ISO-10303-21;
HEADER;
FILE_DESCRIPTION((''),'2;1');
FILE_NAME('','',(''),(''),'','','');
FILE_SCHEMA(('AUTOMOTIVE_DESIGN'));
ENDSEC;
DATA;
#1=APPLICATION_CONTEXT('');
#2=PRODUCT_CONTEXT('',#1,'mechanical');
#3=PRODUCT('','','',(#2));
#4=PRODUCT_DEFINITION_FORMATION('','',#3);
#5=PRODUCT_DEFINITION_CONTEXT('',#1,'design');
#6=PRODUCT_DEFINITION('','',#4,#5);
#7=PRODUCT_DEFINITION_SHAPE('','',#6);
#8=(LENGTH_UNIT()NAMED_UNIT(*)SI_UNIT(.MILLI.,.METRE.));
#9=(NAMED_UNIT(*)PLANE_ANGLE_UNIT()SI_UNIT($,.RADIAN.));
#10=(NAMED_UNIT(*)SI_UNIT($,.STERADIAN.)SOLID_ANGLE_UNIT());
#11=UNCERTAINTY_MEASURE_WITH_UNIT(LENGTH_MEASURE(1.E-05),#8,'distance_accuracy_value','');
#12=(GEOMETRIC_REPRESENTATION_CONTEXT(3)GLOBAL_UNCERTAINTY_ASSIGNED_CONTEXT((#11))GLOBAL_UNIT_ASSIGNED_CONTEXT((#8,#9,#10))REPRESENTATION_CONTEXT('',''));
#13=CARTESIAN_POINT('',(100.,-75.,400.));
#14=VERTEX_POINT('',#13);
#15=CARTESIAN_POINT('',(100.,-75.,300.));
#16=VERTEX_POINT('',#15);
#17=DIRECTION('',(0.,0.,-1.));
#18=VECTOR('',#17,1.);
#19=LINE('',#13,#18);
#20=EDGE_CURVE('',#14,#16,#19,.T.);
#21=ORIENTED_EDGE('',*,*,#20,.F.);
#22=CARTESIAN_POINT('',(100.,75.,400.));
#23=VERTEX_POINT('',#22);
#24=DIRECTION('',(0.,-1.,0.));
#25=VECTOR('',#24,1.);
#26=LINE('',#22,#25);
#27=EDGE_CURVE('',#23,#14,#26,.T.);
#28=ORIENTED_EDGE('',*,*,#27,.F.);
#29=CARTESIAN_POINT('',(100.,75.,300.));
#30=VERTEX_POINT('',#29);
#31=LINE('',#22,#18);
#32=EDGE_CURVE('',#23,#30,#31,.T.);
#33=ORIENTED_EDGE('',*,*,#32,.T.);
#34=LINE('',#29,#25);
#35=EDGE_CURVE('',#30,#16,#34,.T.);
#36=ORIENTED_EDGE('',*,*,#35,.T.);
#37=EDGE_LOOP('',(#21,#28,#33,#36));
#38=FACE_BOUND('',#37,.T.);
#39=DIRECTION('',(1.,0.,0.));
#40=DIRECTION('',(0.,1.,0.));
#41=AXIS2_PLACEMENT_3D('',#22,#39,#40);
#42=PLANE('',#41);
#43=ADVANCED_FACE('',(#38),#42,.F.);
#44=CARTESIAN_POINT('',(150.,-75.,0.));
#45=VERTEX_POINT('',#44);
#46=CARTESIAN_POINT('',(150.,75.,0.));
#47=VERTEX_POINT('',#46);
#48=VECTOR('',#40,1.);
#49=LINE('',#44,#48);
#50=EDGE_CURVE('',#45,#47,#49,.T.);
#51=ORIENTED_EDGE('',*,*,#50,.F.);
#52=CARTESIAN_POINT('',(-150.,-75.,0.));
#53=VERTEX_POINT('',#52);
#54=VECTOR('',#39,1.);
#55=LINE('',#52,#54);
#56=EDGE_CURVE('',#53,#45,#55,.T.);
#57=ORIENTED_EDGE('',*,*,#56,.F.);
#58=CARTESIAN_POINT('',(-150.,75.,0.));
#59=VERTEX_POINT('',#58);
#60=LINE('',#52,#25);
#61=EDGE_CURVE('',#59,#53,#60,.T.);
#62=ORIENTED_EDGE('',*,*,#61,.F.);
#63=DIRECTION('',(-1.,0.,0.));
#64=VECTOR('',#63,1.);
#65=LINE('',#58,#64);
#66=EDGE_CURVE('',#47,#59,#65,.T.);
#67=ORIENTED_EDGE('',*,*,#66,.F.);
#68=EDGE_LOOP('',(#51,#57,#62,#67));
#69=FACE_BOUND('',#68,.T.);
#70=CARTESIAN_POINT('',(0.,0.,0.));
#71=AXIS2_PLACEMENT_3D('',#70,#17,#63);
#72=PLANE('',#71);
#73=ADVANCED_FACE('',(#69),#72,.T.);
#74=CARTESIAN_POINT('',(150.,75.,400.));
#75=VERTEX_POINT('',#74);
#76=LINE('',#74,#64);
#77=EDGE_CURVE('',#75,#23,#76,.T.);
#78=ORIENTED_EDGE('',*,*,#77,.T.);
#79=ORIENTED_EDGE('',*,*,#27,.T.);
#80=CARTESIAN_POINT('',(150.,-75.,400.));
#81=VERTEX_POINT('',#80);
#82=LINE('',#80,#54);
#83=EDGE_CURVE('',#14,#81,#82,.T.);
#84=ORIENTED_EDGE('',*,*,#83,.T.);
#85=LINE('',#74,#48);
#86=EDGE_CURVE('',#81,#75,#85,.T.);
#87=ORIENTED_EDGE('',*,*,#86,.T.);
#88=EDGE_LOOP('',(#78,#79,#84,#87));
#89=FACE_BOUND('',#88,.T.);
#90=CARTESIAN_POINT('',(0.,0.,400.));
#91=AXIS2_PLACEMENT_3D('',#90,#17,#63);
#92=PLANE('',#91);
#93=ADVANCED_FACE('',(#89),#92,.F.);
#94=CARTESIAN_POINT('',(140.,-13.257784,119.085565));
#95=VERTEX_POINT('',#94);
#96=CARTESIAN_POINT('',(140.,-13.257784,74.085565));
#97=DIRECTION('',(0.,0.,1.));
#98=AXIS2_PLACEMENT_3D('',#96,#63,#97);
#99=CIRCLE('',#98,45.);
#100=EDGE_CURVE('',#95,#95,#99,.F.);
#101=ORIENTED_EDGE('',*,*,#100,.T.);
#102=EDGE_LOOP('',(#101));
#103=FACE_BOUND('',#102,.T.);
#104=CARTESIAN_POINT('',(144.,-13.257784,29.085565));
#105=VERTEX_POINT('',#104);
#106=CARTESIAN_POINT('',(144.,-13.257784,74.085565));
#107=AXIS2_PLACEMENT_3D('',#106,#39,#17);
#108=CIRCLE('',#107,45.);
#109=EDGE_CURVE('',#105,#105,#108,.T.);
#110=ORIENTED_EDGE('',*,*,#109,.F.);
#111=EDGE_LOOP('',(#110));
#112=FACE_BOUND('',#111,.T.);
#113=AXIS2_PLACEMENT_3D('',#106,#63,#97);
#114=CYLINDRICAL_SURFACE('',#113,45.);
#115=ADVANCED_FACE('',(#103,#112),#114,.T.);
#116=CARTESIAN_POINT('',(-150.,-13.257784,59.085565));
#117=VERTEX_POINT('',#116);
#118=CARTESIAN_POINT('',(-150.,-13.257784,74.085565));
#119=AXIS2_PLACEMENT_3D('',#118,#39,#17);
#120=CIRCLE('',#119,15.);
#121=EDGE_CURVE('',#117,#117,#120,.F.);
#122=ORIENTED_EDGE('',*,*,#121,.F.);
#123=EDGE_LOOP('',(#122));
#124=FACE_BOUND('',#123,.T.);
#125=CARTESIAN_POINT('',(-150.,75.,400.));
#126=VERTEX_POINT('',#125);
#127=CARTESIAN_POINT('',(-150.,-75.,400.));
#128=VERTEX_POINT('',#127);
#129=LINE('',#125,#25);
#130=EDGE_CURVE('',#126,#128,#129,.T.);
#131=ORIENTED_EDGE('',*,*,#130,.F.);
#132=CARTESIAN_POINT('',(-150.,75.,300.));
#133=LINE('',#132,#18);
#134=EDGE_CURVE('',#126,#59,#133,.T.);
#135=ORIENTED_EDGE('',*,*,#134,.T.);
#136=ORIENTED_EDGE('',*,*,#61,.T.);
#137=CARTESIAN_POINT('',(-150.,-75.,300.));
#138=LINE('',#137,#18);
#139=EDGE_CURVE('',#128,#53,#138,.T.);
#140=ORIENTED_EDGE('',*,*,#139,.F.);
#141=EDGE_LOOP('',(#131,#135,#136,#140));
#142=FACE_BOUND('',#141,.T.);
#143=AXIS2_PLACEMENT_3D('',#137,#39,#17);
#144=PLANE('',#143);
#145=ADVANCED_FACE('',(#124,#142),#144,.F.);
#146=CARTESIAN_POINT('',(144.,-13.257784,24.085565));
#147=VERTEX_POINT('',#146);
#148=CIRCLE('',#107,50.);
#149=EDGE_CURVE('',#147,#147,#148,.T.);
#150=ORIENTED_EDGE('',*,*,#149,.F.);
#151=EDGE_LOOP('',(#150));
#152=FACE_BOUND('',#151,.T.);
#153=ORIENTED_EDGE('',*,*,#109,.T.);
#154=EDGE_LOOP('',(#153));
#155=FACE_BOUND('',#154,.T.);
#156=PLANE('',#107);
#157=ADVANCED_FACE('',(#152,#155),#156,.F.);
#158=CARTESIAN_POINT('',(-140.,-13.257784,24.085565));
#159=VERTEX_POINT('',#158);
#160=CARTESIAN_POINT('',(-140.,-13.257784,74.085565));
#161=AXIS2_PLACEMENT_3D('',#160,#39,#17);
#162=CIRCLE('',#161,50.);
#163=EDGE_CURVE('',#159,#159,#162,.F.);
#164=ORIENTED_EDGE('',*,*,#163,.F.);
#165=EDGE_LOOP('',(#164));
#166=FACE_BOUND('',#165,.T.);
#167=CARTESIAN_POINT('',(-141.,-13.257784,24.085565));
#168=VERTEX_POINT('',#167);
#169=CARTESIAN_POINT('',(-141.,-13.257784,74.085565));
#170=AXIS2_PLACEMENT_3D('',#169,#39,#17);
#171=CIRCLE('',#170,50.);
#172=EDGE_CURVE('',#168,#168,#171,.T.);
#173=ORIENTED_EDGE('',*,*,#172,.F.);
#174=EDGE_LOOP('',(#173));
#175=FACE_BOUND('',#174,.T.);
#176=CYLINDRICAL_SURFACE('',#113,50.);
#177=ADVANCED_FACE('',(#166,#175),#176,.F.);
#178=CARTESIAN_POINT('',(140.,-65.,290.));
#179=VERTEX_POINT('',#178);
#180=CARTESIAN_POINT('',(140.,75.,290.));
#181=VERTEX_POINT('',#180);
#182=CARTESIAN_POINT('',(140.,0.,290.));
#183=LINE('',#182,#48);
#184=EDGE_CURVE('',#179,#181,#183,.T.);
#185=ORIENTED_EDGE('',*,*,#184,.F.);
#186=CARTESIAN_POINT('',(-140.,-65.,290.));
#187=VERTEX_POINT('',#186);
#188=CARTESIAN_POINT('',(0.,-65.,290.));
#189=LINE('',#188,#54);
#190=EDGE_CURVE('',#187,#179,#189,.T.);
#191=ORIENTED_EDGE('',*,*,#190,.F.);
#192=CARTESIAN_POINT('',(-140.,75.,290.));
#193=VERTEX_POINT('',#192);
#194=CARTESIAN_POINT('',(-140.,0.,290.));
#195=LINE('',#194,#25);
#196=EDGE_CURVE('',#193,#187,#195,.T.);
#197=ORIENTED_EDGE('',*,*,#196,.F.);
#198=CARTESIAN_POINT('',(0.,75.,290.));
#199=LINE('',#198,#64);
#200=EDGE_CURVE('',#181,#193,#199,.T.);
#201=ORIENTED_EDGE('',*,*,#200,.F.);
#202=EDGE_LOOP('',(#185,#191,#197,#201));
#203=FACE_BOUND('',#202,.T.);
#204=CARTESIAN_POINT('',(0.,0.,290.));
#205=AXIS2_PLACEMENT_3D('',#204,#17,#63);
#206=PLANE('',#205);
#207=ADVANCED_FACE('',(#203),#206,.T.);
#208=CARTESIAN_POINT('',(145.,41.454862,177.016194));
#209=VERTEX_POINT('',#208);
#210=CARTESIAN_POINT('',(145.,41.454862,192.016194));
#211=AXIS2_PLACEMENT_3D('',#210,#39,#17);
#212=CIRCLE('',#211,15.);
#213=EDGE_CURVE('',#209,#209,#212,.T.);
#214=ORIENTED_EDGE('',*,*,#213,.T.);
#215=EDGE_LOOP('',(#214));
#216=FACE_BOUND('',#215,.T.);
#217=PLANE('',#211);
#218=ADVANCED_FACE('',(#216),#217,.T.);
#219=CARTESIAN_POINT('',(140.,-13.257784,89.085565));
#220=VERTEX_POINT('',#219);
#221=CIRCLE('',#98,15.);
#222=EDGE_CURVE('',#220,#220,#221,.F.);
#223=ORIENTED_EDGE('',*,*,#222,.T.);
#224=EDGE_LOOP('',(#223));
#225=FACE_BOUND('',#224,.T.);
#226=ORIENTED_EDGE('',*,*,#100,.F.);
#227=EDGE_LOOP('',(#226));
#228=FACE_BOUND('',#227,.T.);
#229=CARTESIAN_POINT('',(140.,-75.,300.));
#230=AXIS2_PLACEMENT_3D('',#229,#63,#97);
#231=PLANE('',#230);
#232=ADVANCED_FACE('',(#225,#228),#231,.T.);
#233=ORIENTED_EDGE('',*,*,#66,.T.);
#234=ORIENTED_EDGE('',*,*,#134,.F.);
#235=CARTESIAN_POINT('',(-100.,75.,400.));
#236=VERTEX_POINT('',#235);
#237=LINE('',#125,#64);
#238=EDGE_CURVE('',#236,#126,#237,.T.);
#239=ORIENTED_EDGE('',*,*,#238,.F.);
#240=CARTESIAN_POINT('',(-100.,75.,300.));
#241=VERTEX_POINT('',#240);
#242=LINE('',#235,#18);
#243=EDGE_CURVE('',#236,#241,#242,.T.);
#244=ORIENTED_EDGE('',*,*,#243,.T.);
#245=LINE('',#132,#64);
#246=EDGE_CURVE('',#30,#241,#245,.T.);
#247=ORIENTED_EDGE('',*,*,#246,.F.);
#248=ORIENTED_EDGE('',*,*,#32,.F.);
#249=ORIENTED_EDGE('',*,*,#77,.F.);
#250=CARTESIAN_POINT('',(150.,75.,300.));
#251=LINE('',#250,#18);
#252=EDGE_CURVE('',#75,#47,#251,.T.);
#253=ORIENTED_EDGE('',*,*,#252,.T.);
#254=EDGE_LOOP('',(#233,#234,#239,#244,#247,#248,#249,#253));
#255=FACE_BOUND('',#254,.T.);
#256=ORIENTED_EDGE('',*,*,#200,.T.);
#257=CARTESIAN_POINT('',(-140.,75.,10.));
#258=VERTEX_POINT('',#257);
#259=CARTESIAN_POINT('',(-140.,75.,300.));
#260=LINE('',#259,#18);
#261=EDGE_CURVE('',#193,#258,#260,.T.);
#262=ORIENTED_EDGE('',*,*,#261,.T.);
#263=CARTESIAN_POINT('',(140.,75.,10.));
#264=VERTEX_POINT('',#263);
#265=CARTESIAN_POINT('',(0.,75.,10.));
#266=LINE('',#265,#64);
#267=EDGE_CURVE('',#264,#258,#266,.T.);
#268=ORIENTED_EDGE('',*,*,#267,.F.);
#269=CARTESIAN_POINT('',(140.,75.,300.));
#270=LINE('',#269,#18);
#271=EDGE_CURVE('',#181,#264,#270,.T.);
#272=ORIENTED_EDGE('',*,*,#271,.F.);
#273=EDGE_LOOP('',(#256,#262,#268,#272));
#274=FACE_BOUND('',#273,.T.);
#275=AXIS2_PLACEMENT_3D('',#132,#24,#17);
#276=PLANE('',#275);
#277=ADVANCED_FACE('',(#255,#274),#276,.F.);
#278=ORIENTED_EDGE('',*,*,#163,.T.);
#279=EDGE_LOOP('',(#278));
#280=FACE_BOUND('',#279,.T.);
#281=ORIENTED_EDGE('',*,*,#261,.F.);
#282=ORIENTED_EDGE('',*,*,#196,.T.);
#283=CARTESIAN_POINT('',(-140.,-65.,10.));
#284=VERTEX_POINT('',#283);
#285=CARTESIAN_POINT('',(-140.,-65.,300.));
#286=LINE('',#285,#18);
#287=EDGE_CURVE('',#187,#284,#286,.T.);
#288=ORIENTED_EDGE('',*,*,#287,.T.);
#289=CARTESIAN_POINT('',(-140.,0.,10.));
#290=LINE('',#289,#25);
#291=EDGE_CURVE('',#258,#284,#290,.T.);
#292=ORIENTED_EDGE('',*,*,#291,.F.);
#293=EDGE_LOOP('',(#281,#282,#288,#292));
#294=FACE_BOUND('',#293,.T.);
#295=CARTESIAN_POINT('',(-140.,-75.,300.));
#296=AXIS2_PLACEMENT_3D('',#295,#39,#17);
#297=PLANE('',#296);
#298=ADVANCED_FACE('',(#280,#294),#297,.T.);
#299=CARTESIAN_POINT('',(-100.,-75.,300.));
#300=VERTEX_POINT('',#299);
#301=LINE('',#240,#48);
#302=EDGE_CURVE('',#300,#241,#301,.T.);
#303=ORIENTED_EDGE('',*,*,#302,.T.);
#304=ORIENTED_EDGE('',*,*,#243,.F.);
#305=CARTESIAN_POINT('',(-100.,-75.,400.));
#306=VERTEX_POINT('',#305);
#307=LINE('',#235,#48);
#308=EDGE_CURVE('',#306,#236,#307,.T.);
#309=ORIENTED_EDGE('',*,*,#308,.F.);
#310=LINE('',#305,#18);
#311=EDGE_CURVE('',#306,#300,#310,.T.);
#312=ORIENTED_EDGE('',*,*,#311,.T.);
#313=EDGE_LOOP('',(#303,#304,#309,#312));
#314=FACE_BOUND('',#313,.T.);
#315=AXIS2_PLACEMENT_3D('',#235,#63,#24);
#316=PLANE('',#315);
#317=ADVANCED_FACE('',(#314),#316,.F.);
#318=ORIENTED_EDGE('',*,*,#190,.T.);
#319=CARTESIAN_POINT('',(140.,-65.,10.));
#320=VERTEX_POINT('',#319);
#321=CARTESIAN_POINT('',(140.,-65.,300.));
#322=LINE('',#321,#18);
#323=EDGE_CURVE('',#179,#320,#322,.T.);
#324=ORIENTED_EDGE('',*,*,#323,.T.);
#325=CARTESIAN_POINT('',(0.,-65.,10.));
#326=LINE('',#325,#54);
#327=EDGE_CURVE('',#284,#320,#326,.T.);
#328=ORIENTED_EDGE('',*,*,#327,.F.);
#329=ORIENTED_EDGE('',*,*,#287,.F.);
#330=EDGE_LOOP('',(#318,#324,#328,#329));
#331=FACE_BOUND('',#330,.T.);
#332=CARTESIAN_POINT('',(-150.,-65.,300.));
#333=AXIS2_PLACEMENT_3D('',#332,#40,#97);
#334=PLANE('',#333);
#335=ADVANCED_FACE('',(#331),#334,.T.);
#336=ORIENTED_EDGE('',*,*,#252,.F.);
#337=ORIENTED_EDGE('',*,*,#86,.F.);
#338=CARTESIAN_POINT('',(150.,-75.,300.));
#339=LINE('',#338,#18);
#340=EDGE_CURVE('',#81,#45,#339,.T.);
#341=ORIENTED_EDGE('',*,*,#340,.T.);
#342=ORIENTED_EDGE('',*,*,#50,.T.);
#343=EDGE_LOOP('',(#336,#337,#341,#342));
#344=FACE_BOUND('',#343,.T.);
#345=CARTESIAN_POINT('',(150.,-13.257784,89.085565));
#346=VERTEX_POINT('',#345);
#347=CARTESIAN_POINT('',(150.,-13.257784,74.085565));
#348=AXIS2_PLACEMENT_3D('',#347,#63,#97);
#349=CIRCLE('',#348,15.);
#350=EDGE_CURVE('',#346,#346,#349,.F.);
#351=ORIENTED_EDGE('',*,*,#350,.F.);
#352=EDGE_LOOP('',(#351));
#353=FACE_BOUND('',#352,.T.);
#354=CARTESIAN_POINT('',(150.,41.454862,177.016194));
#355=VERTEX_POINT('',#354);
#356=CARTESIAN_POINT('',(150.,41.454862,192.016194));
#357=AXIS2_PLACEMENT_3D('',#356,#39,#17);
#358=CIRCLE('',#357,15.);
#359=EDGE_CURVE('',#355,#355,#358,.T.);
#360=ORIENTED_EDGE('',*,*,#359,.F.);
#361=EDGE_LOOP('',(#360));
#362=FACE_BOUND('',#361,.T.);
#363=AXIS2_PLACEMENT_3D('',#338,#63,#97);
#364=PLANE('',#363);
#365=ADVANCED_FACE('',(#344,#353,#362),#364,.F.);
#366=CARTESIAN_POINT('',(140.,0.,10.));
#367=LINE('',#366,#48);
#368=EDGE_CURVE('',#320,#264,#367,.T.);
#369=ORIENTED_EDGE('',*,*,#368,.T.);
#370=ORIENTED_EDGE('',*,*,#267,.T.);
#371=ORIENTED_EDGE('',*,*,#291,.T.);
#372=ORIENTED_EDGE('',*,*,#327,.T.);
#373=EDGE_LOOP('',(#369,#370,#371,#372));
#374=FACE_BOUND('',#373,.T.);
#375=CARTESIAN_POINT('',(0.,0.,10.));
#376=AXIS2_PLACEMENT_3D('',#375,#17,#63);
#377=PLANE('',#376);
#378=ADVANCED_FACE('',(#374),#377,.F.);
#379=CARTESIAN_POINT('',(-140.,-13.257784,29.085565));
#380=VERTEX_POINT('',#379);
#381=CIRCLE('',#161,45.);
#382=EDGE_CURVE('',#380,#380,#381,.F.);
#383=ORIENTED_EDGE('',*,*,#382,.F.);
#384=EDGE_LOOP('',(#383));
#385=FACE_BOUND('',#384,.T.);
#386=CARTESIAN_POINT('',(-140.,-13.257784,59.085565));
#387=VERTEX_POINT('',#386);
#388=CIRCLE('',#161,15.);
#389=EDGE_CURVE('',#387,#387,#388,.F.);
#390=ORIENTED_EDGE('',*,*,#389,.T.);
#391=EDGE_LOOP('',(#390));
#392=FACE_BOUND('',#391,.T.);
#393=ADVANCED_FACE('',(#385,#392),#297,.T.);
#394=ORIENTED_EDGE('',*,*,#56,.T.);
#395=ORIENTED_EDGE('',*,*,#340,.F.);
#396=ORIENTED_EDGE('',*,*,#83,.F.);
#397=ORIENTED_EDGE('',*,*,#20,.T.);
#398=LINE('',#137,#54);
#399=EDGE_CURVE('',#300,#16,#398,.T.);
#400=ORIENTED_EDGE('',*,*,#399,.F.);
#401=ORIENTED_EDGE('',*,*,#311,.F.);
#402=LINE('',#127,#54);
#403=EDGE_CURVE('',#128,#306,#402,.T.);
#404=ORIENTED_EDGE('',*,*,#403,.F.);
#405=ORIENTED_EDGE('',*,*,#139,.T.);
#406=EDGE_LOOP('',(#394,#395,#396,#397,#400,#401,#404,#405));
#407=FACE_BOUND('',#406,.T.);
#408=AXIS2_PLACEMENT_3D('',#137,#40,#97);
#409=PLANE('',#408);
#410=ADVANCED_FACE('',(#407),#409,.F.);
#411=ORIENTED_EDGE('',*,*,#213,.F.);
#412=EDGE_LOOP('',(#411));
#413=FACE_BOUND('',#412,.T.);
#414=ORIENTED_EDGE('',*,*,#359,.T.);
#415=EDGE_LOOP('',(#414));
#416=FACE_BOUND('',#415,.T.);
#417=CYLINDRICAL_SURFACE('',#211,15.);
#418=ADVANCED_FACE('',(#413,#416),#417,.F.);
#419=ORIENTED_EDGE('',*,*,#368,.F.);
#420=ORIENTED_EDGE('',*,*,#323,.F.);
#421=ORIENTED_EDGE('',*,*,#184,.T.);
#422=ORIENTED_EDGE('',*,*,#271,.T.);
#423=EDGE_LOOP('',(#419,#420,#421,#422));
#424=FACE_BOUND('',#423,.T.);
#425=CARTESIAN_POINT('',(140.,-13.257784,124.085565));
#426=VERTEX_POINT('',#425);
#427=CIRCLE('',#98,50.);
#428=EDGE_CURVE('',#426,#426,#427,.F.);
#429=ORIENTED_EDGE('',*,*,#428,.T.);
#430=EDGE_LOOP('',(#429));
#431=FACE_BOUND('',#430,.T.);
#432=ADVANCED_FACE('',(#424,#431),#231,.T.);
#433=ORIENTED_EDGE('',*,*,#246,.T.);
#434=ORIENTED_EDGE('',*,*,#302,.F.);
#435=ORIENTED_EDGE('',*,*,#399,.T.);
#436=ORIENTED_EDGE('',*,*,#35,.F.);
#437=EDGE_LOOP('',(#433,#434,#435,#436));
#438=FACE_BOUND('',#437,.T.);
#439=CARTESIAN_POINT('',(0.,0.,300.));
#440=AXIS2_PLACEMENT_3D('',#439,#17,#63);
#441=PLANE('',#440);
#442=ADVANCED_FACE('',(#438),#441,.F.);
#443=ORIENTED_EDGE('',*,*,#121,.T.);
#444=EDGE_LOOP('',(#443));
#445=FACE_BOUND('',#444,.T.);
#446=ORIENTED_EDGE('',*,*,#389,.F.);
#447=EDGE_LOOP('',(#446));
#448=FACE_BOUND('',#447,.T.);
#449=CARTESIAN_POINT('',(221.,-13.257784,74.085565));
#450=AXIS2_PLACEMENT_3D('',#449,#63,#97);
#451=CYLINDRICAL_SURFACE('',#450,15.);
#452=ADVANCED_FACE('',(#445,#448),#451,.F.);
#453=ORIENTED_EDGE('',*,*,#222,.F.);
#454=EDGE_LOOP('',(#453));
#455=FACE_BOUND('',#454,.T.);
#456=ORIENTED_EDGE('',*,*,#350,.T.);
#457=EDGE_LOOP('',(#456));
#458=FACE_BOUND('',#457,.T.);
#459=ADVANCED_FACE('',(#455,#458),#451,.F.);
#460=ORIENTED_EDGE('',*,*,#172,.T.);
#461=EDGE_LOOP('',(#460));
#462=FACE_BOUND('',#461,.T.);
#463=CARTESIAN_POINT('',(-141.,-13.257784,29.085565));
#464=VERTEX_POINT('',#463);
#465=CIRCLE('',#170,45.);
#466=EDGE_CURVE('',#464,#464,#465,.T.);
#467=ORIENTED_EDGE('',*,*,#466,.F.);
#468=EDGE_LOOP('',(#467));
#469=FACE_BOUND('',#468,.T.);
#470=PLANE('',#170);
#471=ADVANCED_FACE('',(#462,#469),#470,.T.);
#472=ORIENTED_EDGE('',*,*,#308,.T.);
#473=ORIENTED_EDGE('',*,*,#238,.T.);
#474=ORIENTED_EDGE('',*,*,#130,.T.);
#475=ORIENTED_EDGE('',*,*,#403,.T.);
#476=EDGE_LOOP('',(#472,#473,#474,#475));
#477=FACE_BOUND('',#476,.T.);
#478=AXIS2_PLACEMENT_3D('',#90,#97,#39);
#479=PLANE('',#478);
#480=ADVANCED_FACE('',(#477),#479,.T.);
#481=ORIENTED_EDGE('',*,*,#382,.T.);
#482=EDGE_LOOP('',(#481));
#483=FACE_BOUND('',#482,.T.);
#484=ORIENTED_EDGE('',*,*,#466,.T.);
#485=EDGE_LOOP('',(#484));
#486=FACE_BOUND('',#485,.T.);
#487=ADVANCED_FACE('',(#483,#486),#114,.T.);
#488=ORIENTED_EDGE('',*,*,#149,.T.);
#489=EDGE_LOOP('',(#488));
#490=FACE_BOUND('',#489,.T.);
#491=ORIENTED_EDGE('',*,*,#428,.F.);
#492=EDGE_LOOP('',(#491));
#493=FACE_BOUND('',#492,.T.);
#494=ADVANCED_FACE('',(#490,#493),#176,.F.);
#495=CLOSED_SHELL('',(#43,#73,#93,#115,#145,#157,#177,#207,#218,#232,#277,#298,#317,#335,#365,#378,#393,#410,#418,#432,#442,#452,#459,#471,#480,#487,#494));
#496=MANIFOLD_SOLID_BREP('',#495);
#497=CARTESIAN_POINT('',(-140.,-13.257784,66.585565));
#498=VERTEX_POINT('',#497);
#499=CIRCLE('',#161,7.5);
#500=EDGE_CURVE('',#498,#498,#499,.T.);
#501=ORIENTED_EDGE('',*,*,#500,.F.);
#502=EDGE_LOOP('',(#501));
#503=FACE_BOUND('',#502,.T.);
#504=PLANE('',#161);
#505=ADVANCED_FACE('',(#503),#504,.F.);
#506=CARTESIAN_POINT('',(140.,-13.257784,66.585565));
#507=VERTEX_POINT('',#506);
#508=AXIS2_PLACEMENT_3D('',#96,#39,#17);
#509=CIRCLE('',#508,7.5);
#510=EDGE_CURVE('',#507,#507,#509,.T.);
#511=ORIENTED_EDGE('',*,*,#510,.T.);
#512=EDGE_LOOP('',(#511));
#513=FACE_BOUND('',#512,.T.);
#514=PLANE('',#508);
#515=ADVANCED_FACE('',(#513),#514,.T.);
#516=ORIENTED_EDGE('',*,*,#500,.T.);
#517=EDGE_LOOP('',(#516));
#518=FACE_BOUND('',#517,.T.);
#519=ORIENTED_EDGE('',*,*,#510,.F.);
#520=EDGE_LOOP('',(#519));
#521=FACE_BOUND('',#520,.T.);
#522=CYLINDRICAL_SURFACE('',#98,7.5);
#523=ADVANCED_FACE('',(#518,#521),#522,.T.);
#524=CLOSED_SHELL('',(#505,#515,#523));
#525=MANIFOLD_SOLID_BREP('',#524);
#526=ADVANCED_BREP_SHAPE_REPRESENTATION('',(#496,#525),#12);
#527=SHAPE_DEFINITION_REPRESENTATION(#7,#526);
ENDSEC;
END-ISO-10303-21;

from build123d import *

# Parameters (mm, degrees)
SKETCH1_W               = 300
SKETCH1_H               = 150
BOSS_EXTRUDE1_DEPTH     = 300
SHELL1_T                = -10
CUT_EXTRUDE2_DEPTH      = 284
CUT_EXTRUDE2_DEPTH_BACK = 1
SKETCH2_R               = 50
SKETCH2_R_2             = 45
CUT_EXTRUDE3_DEPTH      = 361
CUT_EXTRUDE3_DEPTH_BACK = 95
SKETCH8_R               = 15
SKETCH9_R               = 7.5
BOSS_EXTRUDE2_DEPTH     = 280
SKETCH14_W              = 50
SKETCH14_H              = 150
BOSS_EXTRUDE4_DEPTH     = 100
SKETCH15_R              = 15
CUT_EXTRUDE6_DEPTH      = 5


with BuildPart() as part:
    # Sketch1 → Boss-Extrude1 (new body)
    with BuildSketch(Plane.XY):
        Rectangle(SKETCH1_W, SKETCH1_H)
    extrude(amount=BOSS_EXTRUDE1_DEPTH)

    # Shell1
    shell1_openings = [part.faces().sort_by_distance(p)[0] for p in [
        (0, 75, 150),
    ]]
    offset(amount=SHELL1_T, openings=shell1_openings, kind=Kind.INTERSECTION)

    # Sketch2 → Cut-Extrude2 (cut, two sides: drawn at the far end of the back side and taken through both)
    with BuildSketch(Plane(origin=(-140, 0, 0), x_dir=(0, 0, -1), z_dir=(1, 0, 0)).offset(-CUT_EXTRUDE2_DEPTH_BACK)):
        with Locations((-74.085565492, -13.257784017)):
            Circle(SKETCH2_R)
        with Locations((-74.085565492, -13.257784017)):
            Circle(SKETCH2_R_2, mode=Mode.SUBTRACT)
    extrude(amount=CUT_EXTRUDE2_DEPTH + CUT_EXTRUDE2_DEPTH_BACK, mode=Mode.SUBTRACT)

    # Sketch8 → Cut-Extrude3 (cut, two sides: drawn at the far end of the back side and taken through both)
    with BuildSketch(Plane(origin=(-140, 0, 0), x_dir=(0, 0, -1), z_dir=(1, 0, 0)).offset(-CUT_EXTRUDE3_DEPTH_BACK)):
        with Locations(Location((-74.085565492, -13.257784017, 0), (0, 0, 180))):
            Circle(SKETCH8_R)
    extrude(amount=CUT_EXTRUDE3_DEPTH + CUT_EXTRUDE3_DEPTH_BACK, mode=Mode.SUBTRACT)

    # Sketch14 → Boss-Extrude4 (add)
    with BuildSketch(Plane.XY.offset(300)):
        with Locations((-125, 0)):
            Rectangle(SKETCH14_W, SKETCH14_H)
        with Locations((125, 0)):
            Rectangle(SKETCH14_W, SKETCH14_H)
    extrude(amount=BOSS_EXTRUDE4_DEPTH)

    # Sketch15 → Cut-Extrude6 (cut)
    with BuildSketch(Plane(origin=(150, 0, 0), x_dir=(0, 0, -1), z_dir=(1, 0, 0))):
        with Locations((-192.016194133, 41.454862356)):
            Circle(SKETCH15_R)
    extrude(amount=-CUT_EXTRUDE6_DEPTH, mode=Mode.SUBTRACT)


with BuildPart() as body_2:
    # Sketch9 → Boss-Extrude2 (new body)
    with BuildSketch(Plane(origin=(-140, 0, 0), x_dir=(0, 0, -1), z_dir=(1, 0, 0))):
        with Locations((-74.085565492, -13.257784017)):
            Circle(SKETCH9_R)
    extrude(amount=BOSS_EXTRUDE2_DEPTH)


solid = Compound([part.part, body_2.part])
